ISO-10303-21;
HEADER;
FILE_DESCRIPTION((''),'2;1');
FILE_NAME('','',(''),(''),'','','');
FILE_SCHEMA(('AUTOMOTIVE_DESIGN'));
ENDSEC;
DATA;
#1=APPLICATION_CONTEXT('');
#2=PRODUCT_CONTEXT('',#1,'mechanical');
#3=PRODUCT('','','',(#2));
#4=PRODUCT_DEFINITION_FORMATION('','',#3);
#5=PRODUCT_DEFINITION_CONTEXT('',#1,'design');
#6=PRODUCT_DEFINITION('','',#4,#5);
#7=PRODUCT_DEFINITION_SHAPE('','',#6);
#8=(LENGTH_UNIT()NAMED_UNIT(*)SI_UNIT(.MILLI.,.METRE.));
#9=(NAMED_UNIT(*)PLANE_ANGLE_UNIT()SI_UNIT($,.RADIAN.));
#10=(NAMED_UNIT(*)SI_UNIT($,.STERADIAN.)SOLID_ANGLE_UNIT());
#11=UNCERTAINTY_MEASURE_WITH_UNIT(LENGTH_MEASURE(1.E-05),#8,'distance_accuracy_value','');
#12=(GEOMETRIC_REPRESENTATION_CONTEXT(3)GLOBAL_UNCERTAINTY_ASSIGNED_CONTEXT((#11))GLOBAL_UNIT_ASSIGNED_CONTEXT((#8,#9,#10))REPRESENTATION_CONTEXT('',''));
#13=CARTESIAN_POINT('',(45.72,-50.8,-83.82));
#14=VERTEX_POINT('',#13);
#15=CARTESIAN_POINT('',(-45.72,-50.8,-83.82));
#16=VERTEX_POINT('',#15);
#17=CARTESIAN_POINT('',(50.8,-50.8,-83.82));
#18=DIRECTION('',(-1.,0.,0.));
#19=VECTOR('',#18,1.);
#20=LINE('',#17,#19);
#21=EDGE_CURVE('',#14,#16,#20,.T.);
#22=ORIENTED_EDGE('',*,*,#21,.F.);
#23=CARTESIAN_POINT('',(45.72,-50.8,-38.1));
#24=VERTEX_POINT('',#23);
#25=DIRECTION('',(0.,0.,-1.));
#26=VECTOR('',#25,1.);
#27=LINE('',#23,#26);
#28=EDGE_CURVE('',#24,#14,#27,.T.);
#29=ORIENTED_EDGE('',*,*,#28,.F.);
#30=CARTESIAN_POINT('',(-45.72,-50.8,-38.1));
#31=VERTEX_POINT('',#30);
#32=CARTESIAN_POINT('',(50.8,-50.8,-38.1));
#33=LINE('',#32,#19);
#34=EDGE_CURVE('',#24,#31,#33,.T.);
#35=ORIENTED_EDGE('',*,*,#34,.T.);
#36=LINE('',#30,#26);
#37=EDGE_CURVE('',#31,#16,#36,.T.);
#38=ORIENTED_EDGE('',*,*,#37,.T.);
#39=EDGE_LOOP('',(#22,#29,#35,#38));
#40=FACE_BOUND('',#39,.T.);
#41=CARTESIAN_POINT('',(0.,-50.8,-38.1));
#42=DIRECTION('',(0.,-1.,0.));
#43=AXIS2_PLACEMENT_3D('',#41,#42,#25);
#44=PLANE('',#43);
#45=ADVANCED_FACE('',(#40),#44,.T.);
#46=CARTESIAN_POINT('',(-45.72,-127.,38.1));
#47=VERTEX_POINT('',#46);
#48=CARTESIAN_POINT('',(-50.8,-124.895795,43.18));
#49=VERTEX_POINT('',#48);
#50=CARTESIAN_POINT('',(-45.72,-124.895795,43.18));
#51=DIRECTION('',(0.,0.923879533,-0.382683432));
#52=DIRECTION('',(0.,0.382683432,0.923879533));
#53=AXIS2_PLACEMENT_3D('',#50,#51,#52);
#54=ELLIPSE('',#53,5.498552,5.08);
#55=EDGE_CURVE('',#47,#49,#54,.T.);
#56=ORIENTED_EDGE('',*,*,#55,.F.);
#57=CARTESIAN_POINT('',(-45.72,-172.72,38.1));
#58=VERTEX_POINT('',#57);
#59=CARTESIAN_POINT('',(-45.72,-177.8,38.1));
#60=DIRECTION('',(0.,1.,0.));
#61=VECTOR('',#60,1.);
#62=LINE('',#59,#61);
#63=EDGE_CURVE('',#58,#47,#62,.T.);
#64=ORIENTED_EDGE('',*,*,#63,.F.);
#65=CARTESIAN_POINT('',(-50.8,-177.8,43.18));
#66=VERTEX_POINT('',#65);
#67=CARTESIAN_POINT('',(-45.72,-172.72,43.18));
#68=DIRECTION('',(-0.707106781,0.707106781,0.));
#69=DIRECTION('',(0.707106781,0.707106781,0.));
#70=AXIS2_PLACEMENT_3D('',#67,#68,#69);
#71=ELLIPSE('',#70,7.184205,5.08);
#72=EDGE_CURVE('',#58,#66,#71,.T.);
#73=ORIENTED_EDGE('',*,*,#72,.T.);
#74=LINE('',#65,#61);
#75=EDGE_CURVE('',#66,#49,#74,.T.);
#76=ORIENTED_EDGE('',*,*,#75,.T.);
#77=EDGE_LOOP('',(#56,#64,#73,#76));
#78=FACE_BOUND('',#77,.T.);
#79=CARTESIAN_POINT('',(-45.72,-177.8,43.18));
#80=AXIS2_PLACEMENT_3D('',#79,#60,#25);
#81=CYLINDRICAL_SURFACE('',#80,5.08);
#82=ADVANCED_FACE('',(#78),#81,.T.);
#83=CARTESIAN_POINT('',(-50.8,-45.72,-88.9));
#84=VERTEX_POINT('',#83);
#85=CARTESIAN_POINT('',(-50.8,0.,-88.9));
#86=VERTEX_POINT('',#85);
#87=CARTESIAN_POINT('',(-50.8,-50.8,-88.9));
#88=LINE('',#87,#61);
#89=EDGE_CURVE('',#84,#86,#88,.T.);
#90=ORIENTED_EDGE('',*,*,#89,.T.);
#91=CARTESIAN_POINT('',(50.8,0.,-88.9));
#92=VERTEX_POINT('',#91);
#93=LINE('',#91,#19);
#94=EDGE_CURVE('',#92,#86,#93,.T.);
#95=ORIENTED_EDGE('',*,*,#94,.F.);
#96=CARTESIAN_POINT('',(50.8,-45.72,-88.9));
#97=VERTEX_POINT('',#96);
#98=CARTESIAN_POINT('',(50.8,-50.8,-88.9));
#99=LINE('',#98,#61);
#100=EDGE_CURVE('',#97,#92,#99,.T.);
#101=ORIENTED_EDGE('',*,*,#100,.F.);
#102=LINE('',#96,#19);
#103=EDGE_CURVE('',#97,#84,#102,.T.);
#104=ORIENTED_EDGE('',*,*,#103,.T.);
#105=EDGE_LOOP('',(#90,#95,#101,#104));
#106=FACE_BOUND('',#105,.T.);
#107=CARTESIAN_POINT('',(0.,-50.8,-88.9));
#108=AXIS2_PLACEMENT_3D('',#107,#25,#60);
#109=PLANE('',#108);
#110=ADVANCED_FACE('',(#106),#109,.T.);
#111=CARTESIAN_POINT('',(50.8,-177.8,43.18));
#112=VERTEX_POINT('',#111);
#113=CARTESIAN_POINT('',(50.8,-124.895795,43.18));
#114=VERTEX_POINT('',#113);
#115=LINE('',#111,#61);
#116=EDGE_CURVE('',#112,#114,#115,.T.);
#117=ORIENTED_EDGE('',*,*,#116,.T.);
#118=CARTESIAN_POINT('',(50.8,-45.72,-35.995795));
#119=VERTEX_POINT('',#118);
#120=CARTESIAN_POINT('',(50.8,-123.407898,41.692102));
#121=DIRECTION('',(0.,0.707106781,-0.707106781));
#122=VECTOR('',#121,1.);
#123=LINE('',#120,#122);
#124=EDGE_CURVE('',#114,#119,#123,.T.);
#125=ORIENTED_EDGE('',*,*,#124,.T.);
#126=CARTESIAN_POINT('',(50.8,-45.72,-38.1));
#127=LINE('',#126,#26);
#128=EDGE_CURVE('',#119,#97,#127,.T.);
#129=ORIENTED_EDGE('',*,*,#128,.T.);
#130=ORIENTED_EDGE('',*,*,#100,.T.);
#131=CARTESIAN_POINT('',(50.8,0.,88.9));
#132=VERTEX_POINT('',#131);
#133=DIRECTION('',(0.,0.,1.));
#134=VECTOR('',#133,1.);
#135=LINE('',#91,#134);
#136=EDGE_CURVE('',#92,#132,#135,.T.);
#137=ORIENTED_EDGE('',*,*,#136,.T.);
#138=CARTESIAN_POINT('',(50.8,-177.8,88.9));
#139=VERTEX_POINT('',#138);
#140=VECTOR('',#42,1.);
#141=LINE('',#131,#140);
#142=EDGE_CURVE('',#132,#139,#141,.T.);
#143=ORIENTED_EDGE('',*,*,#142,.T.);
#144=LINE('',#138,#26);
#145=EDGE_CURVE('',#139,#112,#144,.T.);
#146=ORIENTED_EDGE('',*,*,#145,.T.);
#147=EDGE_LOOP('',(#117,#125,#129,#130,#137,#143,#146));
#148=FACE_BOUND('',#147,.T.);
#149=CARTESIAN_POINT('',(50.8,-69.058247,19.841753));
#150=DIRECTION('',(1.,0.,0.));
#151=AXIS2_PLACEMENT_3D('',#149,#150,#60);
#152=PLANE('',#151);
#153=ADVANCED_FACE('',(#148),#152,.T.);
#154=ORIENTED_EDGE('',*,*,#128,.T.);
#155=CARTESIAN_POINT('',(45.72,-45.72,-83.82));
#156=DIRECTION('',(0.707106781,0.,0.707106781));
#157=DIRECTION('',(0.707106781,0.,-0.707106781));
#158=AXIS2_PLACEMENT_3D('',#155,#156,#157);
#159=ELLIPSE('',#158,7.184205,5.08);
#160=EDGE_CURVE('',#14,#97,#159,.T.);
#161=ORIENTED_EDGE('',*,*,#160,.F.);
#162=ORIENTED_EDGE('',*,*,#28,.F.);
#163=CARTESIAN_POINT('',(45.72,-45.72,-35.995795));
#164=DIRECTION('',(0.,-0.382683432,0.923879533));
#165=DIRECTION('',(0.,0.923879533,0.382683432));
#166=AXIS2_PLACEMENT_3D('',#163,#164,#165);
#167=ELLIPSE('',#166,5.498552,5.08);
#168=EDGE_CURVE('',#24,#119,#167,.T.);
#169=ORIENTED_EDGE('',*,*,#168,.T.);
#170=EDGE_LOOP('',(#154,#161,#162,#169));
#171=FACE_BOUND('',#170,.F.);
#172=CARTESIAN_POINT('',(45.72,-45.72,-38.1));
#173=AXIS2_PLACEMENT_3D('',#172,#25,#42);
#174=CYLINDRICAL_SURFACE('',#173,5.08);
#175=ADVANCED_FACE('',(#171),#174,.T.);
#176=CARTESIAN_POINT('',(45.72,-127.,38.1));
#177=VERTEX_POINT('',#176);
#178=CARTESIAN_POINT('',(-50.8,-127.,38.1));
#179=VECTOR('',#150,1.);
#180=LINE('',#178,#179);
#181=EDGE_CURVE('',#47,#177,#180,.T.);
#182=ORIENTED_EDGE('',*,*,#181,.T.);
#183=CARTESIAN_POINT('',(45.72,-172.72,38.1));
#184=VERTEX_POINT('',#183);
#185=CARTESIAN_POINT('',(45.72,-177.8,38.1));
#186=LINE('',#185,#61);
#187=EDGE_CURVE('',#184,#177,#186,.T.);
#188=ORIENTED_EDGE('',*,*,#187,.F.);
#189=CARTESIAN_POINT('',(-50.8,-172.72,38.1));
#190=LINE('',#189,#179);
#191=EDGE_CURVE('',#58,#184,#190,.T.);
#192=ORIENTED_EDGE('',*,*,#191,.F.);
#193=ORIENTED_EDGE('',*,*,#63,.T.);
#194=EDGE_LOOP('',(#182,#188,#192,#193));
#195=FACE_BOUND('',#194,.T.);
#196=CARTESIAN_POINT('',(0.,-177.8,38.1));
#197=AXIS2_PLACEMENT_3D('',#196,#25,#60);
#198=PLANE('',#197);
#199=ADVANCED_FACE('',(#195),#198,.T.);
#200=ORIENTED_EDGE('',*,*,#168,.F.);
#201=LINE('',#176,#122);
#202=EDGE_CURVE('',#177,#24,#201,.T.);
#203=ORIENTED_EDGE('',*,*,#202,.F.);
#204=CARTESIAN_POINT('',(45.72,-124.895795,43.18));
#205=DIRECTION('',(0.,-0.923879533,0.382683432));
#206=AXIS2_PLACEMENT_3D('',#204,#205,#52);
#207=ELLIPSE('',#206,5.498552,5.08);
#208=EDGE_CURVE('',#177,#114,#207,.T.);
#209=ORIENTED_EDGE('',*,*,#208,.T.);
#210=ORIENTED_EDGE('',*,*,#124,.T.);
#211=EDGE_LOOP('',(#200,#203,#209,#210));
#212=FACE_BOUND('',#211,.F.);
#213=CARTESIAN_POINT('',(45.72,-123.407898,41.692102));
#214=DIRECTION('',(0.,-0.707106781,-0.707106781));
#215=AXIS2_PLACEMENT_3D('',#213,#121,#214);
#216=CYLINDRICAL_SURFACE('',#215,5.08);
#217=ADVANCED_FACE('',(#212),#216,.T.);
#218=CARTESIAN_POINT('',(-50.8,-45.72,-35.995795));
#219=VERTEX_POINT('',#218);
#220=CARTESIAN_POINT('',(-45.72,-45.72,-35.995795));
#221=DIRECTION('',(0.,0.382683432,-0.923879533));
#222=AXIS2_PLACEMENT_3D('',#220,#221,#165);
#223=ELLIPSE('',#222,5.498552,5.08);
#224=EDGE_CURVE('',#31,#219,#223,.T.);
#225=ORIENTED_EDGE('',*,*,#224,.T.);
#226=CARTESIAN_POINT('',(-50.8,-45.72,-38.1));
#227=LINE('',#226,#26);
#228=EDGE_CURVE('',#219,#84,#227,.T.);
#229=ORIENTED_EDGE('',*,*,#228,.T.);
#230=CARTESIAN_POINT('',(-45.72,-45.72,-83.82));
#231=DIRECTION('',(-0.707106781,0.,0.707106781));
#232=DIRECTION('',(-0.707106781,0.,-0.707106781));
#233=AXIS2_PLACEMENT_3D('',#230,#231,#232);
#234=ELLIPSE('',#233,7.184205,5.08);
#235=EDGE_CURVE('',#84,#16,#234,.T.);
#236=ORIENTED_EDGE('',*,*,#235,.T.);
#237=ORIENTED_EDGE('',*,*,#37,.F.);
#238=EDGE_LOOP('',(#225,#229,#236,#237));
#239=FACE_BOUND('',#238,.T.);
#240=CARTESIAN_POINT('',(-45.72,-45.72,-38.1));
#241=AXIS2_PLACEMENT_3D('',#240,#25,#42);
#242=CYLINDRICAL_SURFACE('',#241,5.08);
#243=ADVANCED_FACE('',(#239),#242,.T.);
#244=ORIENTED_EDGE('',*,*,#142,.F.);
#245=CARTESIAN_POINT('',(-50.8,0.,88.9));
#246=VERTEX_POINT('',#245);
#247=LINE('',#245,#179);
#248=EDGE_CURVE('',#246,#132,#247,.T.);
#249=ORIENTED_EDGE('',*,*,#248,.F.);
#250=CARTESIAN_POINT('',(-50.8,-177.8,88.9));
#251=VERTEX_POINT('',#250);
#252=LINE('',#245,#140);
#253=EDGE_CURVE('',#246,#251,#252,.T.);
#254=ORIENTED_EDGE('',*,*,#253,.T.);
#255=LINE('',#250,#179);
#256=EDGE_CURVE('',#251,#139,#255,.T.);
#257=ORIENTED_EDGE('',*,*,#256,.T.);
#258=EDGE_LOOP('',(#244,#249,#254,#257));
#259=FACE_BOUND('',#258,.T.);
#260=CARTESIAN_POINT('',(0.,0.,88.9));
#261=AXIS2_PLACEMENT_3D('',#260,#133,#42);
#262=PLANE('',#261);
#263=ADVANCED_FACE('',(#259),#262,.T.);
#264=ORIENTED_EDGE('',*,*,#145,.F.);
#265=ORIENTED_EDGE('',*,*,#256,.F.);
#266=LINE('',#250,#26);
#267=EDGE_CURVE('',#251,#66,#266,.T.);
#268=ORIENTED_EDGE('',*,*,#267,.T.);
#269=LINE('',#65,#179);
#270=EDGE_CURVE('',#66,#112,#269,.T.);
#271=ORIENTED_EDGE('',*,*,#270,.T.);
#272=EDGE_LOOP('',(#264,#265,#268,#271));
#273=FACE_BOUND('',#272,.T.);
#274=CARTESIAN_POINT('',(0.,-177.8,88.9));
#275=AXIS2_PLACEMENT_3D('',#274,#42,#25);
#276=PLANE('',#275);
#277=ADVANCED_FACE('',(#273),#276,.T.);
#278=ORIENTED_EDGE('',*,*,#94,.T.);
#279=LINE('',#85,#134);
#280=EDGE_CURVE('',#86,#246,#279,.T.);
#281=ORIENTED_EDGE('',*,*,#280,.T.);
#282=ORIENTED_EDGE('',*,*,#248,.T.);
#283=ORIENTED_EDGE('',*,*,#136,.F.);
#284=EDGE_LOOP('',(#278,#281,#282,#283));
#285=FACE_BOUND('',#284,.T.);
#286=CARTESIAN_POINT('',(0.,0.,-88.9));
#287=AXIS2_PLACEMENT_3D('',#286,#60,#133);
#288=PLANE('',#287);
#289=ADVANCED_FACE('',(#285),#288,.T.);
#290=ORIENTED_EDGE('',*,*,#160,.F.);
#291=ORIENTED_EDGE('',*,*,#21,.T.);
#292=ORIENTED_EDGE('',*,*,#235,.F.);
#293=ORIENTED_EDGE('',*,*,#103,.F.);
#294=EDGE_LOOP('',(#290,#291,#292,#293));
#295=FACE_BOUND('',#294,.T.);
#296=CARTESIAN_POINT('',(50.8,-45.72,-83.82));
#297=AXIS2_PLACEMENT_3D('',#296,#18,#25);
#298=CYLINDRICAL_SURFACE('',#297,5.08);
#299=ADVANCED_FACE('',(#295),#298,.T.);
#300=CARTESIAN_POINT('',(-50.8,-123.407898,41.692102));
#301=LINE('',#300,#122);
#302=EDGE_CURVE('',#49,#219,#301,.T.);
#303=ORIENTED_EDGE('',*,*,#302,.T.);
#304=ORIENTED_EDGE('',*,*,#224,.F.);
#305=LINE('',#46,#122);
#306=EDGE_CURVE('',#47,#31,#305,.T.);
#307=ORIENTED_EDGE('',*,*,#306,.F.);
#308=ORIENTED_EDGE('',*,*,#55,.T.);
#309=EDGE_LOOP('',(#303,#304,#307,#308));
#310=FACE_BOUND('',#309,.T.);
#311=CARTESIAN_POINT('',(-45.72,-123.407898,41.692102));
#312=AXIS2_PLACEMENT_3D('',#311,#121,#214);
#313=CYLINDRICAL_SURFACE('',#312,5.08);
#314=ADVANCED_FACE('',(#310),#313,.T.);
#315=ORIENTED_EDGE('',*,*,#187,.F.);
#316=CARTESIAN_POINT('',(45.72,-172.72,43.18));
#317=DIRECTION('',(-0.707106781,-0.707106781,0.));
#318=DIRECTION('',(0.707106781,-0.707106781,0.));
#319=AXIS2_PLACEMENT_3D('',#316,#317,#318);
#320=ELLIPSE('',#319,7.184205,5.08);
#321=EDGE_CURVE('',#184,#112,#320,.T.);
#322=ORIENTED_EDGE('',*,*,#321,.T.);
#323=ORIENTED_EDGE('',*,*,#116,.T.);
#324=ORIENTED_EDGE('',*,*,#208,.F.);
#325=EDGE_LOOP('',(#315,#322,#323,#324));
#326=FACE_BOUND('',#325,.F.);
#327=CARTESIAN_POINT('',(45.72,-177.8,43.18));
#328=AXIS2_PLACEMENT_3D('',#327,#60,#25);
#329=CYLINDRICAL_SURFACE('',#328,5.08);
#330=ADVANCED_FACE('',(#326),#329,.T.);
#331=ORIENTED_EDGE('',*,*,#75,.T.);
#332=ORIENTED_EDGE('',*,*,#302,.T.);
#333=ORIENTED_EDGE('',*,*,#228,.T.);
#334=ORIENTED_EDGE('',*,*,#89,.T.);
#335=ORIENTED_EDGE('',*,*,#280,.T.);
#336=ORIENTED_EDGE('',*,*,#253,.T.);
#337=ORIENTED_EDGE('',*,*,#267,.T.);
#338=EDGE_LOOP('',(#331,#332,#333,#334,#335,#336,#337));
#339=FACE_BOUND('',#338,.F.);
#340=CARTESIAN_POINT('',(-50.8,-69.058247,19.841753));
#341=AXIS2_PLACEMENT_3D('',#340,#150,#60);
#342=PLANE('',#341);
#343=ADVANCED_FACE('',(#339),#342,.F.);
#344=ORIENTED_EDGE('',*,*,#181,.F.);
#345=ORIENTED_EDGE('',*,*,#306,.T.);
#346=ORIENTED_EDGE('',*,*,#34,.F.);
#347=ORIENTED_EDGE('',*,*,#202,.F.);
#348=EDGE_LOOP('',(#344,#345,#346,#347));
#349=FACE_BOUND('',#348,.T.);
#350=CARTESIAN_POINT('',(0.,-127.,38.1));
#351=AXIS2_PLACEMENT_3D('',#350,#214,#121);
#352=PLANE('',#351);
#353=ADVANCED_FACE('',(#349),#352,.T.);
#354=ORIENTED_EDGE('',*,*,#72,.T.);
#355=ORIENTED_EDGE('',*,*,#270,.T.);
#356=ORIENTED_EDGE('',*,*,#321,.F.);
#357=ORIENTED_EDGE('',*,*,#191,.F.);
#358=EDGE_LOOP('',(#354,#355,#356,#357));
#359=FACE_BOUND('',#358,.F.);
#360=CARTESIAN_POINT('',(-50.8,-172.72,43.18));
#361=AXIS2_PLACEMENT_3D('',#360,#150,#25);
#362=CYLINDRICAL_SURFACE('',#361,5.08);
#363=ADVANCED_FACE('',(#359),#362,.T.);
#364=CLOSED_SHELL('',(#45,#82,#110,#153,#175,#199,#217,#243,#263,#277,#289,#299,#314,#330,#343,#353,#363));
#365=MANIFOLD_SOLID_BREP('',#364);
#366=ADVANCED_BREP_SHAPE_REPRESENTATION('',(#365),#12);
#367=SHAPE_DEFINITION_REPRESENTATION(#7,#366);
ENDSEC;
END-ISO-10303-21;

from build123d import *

# Parameters (mm, degrees)
F1_DEPTH = 50.8
F2_R     = 5.08


with BuildPart() as f1:
    # F0 (on Right) → F1 (new body, symmetric)
    with BuildSketch(Plane.YZ):
        Polygon((0, -88.9), (0, 88.9), (-177.8, 88.9), (-177.8, 38.1), (-127, 38.1), (-50.8, -38.1), (-50.8, -88.9), align=None)
    extrude(amount=F1_DEPTH, both=True)

    # F2
    f2_edges = [f1.edges().sort_by_distance(p)[0] for p in [
        (0, -177.8, 38.1),
        (50.8, -152.4, 38.1),
        (50.8, -88.9, 0),
        (50.8, -50.8, -63.5),
        (0, -50.8, -88.9),
        (-50.8, -152.4, 38.1),
        (-50.8, -88.9, 0),
        (-50.8, -50.8, -63.5),
    ]]
    fillet(f2_edges, radius=F2_R)


solid = f1.part
